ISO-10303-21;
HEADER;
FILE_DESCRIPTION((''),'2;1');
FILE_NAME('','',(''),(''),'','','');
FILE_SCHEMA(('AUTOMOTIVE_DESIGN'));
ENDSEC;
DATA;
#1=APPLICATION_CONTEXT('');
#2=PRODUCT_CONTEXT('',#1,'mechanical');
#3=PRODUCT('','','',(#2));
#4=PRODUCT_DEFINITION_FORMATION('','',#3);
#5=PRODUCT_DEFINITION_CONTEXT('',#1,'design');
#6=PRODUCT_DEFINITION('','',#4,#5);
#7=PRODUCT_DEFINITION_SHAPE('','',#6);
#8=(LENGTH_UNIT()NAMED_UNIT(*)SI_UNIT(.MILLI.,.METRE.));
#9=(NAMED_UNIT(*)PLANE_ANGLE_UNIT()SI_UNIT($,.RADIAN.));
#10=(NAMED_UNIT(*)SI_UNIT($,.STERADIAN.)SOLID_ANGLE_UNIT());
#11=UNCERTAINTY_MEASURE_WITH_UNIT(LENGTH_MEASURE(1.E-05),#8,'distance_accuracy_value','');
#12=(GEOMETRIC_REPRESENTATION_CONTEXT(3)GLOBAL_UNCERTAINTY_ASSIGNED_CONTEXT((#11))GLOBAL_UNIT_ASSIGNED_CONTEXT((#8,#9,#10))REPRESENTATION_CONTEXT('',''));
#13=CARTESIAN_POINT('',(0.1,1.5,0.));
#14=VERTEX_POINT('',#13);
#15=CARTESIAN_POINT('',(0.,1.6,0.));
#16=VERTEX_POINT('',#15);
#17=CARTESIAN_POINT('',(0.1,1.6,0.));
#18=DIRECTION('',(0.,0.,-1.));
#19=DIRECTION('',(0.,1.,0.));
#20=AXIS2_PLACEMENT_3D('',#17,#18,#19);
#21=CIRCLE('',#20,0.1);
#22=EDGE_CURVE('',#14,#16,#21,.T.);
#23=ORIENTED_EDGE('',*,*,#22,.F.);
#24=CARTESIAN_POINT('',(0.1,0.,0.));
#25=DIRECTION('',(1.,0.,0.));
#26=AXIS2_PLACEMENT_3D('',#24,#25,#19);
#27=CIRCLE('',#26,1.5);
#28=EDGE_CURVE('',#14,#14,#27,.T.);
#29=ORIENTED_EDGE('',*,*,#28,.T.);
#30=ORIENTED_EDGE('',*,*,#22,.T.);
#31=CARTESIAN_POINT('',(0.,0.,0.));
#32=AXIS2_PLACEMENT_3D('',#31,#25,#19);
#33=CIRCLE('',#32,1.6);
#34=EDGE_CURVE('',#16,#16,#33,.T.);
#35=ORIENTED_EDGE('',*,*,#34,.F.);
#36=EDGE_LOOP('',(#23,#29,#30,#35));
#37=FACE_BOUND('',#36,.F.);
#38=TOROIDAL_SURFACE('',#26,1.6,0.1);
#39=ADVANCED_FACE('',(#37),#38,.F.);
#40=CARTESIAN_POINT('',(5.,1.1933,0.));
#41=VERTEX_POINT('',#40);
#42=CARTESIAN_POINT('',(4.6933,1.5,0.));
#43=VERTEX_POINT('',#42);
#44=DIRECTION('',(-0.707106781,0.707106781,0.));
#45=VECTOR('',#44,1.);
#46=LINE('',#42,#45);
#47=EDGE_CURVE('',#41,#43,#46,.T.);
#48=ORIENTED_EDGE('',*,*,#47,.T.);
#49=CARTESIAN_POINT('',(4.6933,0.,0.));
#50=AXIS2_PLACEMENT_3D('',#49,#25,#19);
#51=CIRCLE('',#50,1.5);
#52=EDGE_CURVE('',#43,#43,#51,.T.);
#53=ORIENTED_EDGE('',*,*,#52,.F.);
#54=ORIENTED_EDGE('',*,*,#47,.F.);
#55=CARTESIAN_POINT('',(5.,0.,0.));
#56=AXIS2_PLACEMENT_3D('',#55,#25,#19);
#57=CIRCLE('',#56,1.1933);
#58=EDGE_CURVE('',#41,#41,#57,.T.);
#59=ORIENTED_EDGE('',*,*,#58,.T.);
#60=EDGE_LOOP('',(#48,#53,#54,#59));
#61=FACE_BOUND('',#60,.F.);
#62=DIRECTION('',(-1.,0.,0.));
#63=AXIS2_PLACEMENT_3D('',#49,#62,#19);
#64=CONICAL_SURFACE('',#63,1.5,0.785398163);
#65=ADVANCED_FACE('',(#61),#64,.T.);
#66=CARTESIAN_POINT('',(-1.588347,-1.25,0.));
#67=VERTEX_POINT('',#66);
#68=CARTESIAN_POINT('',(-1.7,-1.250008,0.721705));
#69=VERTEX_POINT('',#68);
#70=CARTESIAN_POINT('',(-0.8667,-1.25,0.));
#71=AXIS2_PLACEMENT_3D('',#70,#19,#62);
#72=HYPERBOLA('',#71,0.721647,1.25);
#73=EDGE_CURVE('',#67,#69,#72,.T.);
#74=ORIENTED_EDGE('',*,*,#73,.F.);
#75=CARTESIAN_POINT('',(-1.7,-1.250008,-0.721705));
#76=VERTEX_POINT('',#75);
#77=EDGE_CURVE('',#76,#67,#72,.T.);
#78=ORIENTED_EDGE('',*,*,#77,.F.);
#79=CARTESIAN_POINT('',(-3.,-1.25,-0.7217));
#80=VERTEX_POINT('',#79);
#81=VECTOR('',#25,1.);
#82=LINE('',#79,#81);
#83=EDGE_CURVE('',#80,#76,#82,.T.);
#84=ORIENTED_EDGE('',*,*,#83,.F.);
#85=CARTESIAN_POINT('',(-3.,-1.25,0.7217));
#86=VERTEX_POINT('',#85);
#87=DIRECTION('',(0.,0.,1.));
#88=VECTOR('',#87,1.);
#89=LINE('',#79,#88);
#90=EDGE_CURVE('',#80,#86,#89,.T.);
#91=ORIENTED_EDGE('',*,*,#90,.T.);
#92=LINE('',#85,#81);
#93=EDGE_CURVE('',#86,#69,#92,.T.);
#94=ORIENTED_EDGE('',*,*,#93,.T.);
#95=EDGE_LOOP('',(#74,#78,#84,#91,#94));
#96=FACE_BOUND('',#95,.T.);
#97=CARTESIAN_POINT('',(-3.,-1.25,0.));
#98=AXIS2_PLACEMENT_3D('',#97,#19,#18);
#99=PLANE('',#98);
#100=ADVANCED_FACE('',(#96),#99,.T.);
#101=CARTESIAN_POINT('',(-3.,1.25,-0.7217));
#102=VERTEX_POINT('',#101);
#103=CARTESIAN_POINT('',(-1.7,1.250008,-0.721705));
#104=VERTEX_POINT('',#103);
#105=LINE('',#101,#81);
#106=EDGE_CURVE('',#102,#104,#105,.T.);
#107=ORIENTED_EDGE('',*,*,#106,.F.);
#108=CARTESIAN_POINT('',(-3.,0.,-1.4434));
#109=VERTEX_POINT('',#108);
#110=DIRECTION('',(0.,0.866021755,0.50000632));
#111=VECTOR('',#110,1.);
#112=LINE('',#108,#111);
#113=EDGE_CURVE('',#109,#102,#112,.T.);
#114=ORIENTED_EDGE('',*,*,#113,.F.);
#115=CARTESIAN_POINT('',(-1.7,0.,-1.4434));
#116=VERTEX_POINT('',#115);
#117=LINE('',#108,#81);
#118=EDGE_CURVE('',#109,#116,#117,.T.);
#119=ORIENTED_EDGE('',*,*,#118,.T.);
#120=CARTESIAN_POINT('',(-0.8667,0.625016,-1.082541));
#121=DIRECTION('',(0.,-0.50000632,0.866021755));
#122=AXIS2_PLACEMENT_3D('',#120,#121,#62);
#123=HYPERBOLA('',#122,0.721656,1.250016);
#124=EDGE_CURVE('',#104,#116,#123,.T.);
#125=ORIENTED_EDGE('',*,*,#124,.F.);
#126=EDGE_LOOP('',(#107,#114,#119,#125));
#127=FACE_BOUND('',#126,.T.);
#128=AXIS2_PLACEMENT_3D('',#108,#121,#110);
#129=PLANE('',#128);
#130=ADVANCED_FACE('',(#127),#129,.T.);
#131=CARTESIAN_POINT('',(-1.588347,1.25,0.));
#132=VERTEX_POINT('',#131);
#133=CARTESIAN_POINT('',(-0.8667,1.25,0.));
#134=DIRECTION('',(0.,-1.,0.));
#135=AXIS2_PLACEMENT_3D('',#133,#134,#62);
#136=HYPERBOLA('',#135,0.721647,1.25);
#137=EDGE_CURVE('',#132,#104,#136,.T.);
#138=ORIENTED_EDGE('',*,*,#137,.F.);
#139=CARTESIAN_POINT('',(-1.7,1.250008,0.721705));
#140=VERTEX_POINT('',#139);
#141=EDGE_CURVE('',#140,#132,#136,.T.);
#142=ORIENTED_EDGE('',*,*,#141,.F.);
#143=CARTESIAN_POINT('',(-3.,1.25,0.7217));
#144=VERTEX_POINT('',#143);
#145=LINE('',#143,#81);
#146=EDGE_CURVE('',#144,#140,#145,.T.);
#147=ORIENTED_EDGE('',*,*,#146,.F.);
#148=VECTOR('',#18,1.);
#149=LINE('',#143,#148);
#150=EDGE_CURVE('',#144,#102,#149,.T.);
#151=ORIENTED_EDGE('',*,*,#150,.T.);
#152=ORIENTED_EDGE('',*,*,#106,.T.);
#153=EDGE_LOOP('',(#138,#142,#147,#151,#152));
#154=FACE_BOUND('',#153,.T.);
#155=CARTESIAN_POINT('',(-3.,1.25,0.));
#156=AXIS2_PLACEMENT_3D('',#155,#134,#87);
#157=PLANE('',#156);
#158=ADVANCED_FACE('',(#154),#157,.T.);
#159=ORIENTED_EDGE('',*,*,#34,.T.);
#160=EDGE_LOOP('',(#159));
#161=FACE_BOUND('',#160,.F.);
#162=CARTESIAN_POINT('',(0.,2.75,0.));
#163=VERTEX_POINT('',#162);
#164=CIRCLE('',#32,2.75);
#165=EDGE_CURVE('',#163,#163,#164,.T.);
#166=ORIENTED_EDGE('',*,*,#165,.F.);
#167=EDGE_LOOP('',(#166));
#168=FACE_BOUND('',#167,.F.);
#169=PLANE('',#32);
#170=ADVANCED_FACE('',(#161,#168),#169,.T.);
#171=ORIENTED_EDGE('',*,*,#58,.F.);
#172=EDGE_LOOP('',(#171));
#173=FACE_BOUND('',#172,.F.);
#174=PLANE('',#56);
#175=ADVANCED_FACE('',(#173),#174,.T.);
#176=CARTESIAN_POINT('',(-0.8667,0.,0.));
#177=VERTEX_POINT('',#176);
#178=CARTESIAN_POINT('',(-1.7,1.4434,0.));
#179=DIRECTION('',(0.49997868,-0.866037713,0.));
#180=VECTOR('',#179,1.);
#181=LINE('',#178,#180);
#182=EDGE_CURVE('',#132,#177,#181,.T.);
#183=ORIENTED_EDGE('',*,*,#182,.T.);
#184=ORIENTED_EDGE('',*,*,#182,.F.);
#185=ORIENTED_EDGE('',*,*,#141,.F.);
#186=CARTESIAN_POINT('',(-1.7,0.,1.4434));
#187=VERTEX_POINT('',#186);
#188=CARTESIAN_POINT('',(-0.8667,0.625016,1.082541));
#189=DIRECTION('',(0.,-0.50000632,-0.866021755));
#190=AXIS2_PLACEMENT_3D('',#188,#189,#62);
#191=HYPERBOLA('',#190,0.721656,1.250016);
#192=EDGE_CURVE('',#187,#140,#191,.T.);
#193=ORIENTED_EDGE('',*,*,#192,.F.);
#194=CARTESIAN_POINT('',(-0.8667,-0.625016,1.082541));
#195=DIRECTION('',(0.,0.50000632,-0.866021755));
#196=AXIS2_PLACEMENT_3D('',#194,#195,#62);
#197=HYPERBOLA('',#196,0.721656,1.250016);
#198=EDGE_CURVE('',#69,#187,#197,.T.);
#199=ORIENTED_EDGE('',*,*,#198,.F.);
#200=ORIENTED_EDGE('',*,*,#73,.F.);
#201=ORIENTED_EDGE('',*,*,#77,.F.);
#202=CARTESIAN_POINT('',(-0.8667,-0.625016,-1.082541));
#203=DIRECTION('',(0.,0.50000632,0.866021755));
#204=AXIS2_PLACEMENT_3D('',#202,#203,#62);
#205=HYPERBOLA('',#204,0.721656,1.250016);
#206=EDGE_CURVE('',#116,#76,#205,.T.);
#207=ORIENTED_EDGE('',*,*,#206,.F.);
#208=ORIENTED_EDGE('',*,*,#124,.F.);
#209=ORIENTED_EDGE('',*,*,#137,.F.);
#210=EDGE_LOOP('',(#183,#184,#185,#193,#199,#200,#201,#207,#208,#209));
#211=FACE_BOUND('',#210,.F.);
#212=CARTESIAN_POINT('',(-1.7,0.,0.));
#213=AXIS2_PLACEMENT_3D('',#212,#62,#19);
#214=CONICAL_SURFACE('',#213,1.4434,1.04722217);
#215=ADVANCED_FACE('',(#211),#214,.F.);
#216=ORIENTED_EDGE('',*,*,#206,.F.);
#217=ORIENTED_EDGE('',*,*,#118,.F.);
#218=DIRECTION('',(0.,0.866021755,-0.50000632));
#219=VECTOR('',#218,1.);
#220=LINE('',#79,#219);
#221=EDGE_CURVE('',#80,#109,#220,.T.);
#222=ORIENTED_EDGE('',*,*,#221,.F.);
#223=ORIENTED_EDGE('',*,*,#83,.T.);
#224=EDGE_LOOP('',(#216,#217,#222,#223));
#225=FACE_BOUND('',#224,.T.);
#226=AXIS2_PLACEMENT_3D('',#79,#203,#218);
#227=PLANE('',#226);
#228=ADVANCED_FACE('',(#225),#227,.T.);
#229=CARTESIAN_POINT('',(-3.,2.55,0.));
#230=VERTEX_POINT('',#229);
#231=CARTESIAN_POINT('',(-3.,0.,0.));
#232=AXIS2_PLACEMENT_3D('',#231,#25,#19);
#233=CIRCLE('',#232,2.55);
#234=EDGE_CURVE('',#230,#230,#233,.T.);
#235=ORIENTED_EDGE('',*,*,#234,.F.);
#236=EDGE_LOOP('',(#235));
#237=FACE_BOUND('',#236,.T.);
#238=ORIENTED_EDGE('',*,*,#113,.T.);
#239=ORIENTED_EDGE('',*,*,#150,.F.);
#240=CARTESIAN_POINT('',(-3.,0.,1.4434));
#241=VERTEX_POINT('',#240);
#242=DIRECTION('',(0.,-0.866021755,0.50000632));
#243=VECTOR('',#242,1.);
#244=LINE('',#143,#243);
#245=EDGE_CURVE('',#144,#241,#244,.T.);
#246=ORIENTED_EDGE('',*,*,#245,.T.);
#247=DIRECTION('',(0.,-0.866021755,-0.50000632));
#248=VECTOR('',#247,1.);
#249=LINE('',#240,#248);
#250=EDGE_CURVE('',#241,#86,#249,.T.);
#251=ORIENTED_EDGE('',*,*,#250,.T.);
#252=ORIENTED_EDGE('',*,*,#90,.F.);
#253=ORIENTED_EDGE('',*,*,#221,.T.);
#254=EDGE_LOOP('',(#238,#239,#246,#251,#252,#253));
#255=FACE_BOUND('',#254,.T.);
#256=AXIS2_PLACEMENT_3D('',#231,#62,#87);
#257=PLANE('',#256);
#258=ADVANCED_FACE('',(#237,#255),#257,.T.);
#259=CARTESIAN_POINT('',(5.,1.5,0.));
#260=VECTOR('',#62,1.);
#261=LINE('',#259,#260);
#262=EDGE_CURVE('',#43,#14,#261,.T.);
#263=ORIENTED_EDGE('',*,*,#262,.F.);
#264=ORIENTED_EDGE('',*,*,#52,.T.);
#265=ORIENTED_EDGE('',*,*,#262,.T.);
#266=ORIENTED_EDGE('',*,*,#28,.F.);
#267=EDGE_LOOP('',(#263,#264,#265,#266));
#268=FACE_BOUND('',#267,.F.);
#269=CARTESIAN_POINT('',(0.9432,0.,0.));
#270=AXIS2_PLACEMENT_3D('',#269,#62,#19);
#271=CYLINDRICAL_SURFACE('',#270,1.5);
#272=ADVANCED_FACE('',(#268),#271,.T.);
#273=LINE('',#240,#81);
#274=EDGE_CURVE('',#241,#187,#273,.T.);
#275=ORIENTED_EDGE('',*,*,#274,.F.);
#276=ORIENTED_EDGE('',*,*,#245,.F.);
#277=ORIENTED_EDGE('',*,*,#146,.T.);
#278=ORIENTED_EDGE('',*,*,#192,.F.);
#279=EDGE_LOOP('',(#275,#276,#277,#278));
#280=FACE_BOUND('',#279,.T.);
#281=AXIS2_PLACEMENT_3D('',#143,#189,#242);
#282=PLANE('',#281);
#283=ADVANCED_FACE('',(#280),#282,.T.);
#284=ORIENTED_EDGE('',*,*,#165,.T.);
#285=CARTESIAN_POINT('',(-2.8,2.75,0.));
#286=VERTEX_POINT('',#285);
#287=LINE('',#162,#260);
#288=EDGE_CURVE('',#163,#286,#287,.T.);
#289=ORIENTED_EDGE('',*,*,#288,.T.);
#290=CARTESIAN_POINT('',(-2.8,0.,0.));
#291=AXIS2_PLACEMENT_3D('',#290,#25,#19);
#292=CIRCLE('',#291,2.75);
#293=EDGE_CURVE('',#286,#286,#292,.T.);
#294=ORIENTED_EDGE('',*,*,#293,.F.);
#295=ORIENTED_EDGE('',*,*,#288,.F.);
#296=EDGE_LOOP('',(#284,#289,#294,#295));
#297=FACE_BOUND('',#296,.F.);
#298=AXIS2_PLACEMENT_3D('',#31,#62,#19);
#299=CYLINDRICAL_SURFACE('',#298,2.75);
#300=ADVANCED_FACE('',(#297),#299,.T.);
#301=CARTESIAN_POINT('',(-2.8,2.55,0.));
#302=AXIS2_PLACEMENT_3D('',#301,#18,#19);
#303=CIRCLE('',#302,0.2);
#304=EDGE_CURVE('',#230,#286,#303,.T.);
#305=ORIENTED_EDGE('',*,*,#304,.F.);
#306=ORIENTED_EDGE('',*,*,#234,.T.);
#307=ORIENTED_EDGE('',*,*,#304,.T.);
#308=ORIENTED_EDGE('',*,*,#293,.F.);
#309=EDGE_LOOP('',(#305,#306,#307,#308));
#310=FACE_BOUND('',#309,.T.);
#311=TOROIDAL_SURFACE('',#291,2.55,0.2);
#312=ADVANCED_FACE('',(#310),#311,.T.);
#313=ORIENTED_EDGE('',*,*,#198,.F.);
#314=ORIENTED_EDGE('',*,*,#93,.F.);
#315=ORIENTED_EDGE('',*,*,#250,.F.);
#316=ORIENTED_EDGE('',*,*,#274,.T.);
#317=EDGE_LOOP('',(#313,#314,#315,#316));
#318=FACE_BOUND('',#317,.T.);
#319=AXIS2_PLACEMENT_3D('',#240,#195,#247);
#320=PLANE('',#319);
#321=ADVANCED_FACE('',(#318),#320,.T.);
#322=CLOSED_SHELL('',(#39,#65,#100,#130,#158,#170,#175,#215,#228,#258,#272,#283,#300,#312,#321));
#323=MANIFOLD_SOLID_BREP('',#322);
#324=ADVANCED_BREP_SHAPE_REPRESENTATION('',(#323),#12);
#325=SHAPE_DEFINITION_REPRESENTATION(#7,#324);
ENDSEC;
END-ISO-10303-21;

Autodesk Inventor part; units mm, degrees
ref_plane "YZ Plane" through (0, 0, 0) normal (1, 0, 0) x (0, 1, 0)
ref_plane "XZ Plane" through (0, 0, 0) normal (0, 1, 0) x (-1, 0, 0)
sketch "Szkic1" plane through (0, 0, 0) normal (0, 0, 1) x (1, 0, 0)
  line L0 (-0.8667, 0) -> (5, 0)
  line L1 (5, 0) -> (5, 1.5)
  line L2 (5, 1.5) -> (1.25, 1.5)
  line L3 (1.25, 1.5) -> (0.9432, 1.5)
  line L4 (0.9432, 1.5) -> (0, 1.5)
  line L5 (0, 1.5) -> (0, 2.75)
  line L6 (0, 2.75) -> (-3, 2.75)
  line L7 (-3, 2.75) -> (-3, 1.4434)
  line L8 (-3, 1.4434) -> (-1.7, 1.4434)
  line L9 (-1.7, 1.4434) -> (-0.8667, 0)
  line L10 (-4.6, 0) -> (6.6, 0) projected
  line L11 (0, -0.55) -> (0, 3.3) projected
  line L12 (1.25, 1.5) -> (0, 1.5) construction
  dimension "d1" = 3.75
  dimension "d2" = 0.3068
  dimension "d3" = 3
  dimension "d4" = 1.3
  dimension "d5" = 60
  dimension "d6" = 3
  dimension "d7" = 3
  dimension "d8" = 2.8868
  dimension "d9" = 5.5
  dimension "d26" = 5
revolve "Bryła" add sketch "Szkic1" angle 360 about axis through (-0.8667, 0, 0) along (1, 0, 0)
sketch "Szkic2" plane through (-3, 0, 0) normal (-1, 0, 0) x (0, 0, 1)
  circle A0 centre (0, 0) radius 1.4434 projected
  line L0 (0, -3.85) -> (0, 3.85) projected
  line L1 (-3.85, 0) -> (3.85, 0) projected
  line L2 (1.4434, 0) -> (0.7217, -1.25)
  line L3 (0.7217, -1.25) -> (-0.7217, -1.25)
  line L4 (-0.7217, -1.25) -> (-1.4434, 0)
  line L5 (-1.4434, 0) -> (-0.7217, 1.25)
  line L6 (-0.7217, 1.25) -> (0.7217, 1.25)
  line L7 (0.7217, 1.25) -> (1.4434, 0)
extrude "Szczelina" add sketch "Szkic2" against normal up to next contours L7 A0 | A0 L2 | L6 L0 A0 | A0 L0 L3 | L0 L6 A0 | A0 L3 L0 | L4 A0 | A0 L5
fillet "Zaokrąglenie1" radius 0.2 1 edges at (-3, -2.75, 0)
thread "Gwint" size "M3x0.5" class "6g" standard "ISO Metric profile" length 3.75
chamfer "Faza1" distance 0.3067 distance2 0.3067 1 edges at (5, -1.5, 0) measured on face at (5, -0.2617, -0.7882)
ref_plane "Work Plane1" through (29, 0, 0) normal (0, -1, 0) x (1, 0, 0)
fillet "Fillet2" radius 0.1 1 edges at (0, -1.5, 0)
equation "\"d1\" = GEL"
equation "\"d3\" = KOH"
equation "\"d4\" = INTI"
equation "\"d6\" = GD"
equation "\"d7\" = BDM"
equation "\"d8\" = 1.1547 * SW"
equation "\"d9\" = KOD"
equation "\"d26\" = NLG"
equation "\"d30\" = R"
equation "\"d17\" = RR"
equation "\"d13\" = GEL"
equation "\"d15\" = -0.5 * SPD + 0.5 * GD"
equation "\"d16\" = GUL"
equation "\"GD\" = NND"
equation "\"NLG\" = 5"
equation "\"GEL\" = 3.75"
equation "\"KOD\" = 5.5"
equation "\"KOH\" = NND"
equation "\"INTI\" = 1.3"
equation "\"GAL\" = 0.61345 * PTC"
equation "\"GUL\" = 0.61345 * PTC"
equation "\"BDM\" = NND"
equation "\"SW\" = 2.5"
equation "\"RR\" = 0.2"
equation "\"SPD\" = NND - 1.2269 * PTC"
equation "\"R\" = 0.1"
equation "\"TOA\" = 30deg"
equation "\"GD1\" = THREADDIA - 1.2269 * PTC"
equation "\"THREADDIA\" = 3"
equation "\"FAWI\" = 45deg"
equation "\"PTC\" = 0.5"
equation "\"NND\" = 3"
equation "\"E0\" = 1.155 * SW"
properties part number "CNS 3932 - M 3 x 5" material "Stal, miękka"
